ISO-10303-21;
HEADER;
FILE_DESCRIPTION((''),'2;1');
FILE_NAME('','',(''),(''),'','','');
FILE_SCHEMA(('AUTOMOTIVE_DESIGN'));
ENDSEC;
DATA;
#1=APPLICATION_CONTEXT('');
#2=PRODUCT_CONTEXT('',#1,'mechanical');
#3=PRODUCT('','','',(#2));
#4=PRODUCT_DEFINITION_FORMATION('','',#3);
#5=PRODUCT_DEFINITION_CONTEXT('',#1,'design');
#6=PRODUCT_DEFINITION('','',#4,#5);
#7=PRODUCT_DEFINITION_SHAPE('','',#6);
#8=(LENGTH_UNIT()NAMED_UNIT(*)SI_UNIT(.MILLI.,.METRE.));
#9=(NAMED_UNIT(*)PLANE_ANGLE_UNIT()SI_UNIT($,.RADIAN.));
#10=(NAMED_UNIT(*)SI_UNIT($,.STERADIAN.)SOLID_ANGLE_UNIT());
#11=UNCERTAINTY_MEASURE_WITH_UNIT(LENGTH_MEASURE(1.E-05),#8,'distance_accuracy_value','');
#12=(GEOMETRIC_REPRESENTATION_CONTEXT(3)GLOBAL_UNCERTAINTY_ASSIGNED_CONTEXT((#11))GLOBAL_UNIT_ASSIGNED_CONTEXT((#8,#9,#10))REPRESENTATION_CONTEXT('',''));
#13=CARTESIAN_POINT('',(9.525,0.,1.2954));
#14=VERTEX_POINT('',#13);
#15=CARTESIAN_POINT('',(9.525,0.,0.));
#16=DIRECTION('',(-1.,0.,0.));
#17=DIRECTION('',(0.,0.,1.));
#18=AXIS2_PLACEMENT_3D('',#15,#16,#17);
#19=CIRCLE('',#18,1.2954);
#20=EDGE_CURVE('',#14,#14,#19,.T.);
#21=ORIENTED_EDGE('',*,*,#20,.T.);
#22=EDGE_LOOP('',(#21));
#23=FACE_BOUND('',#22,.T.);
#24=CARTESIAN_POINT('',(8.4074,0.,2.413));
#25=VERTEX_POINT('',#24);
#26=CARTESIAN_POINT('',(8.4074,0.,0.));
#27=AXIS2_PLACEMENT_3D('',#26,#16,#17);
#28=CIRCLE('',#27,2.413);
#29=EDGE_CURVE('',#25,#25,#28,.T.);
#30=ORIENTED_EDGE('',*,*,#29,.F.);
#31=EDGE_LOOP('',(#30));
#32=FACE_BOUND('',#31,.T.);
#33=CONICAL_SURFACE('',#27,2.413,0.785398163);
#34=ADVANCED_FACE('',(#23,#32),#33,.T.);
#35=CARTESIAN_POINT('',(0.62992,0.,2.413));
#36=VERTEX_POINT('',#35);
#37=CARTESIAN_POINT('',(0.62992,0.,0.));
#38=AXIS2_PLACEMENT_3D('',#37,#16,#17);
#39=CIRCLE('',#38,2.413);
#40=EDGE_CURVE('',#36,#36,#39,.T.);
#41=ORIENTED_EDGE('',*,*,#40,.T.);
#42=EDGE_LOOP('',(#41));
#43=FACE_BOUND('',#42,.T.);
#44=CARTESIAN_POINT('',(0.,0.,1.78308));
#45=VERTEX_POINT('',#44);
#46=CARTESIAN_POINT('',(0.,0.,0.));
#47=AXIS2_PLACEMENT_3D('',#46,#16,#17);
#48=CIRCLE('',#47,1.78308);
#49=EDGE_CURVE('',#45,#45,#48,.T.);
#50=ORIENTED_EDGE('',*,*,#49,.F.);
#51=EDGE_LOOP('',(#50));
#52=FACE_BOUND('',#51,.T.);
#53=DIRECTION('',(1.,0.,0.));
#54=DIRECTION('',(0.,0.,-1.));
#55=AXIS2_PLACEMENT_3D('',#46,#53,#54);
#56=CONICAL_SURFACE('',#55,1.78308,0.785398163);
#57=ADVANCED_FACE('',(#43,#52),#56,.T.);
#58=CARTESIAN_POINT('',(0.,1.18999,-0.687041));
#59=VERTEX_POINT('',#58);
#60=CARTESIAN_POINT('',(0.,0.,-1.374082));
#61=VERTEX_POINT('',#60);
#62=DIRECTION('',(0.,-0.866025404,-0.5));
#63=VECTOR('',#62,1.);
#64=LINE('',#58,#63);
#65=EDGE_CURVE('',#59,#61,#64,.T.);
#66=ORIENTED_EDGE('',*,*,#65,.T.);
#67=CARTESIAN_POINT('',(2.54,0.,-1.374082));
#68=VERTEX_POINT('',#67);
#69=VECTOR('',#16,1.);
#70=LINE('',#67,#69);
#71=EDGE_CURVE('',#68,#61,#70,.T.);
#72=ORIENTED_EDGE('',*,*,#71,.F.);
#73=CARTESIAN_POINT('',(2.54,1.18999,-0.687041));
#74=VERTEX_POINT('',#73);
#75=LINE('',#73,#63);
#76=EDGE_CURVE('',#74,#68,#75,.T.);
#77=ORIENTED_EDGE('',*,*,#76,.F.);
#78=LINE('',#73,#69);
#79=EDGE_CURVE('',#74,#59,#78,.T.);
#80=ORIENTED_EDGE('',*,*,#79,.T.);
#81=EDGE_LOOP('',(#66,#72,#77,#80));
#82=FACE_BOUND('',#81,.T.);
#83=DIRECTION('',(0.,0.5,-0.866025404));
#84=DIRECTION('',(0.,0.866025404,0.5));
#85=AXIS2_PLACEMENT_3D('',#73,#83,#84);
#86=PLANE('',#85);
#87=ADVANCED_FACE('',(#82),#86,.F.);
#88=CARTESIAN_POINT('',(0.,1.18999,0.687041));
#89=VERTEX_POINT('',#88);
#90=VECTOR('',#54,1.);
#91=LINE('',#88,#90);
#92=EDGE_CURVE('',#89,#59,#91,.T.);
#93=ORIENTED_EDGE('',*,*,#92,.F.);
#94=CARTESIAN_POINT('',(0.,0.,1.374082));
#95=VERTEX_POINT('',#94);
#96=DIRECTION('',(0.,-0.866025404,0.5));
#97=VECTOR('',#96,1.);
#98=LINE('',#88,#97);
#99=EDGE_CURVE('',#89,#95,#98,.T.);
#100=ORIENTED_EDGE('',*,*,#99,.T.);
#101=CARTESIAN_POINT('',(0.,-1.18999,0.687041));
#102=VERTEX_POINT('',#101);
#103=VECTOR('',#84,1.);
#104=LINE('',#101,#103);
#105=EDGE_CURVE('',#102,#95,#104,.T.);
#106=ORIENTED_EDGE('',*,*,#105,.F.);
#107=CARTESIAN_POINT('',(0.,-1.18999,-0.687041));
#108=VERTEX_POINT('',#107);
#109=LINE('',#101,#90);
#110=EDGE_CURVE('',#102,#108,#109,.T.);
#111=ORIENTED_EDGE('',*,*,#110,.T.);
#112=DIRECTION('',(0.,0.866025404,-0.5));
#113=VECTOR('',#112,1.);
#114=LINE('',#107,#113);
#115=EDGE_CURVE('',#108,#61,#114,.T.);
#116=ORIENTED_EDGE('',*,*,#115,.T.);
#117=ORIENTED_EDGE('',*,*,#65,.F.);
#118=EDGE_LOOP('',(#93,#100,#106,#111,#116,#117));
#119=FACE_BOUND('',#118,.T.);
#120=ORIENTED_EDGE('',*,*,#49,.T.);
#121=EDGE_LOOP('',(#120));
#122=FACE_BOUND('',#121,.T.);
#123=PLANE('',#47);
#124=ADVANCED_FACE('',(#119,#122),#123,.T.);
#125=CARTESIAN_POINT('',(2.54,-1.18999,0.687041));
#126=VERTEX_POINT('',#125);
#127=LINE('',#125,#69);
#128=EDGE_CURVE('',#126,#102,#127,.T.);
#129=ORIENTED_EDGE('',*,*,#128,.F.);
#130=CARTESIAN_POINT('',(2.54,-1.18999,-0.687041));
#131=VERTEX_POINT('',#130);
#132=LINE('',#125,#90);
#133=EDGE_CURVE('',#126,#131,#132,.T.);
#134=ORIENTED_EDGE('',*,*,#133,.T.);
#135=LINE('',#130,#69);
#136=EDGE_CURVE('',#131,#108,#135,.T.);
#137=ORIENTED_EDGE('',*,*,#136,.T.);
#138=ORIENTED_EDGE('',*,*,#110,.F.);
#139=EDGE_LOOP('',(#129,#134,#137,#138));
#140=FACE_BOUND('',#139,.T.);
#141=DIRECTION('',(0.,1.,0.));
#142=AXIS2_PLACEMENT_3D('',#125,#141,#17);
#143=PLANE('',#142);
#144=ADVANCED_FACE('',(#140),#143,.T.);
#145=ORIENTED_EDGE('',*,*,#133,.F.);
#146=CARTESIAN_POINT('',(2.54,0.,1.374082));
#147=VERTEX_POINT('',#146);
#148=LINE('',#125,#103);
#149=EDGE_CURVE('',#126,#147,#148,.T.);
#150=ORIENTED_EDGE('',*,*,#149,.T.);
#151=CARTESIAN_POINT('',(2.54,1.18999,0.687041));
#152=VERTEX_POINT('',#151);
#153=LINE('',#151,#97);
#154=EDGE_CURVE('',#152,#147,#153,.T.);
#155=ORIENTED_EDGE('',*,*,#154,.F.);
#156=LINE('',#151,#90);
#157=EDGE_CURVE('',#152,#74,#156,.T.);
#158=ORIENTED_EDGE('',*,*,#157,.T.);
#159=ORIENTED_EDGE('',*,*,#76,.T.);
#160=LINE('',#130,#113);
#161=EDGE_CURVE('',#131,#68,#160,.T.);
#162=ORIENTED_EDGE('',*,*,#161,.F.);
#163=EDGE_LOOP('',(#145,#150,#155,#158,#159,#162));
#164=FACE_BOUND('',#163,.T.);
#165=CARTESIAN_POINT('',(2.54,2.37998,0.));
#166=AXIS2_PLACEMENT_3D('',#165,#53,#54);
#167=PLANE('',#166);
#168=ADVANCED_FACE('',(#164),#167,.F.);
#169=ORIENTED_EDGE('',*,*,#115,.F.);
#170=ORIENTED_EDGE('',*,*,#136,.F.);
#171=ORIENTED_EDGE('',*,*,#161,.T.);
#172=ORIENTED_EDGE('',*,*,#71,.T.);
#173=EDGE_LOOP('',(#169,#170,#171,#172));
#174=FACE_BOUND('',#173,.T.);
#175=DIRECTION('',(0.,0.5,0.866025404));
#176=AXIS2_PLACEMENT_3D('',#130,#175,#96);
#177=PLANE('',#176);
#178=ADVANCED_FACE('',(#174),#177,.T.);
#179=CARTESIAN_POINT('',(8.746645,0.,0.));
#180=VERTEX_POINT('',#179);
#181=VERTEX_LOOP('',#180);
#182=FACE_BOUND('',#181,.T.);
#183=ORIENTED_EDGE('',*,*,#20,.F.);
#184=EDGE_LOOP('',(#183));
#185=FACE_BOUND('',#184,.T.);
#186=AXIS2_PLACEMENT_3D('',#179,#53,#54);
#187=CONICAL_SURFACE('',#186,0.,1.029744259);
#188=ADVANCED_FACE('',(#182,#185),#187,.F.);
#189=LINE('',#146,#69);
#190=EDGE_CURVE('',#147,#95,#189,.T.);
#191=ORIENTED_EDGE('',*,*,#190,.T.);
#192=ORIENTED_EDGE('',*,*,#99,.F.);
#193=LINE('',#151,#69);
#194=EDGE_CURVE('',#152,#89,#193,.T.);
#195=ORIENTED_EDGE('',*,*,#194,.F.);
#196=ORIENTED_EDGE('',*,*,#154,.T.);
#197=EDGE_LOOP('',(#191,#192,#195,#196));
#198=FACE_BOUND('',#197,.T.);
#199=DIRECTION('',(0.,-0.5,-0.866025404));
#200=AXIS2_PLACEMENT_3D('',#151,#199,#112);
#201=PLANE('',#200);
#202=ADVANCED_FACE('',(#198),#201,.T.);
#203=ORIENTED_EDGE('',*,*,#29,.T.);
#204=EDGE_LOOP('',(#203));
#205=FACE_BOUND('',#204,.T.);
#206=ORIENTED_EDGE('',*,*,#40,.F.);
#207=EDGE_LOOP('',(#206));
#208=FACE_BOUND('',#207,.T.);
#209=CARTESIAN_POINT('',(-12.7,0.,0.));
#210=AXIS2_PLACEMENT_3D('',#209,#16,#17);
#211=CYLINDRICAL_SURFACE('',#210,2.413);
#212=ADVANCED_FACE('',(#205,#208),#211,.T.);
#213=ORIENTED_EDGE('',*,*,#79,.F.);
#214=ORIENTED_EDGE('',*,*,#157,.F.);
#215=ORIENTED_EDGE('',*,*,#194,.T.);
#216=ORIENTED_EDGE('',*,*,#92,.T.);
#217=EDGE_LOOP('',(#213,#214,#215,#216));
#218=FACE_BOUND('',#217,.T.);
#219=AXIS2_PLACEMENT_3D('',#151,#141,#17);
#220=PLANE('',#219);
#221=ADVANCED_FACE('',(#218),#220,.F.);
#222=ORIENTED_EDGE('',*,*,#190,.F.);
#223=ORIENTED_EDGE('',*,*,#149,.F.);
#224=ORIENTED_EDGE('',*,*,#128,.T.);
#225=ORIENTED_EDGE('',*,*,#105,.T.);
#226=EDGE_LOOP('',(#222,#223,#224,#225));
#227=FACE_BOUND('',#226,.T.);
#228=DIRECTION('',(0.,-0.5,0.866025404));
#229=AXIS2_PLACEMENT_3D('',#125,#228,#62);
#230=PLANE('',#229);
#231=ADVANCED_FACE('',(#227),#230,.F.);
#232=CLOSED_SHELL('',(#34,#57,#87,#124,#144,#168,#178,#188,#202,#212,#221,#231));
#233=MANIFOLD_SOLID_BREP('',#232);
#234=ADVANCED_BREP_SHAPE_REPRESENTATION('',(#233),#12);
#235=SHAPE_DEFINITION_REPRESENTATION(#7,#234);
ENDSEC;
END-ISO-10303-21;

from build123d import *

# Parameters (mm, degrees)
HEX_2_DEPTH = 2.54


with BuildPart() as part:
    # BodySke → BaseBody (revolve)
    with BuildSketch(Plane.XY, mode=Mode.PRIVATE) as basebody_sk:
        Polygon((0, 0), (0, 1.78308), (0.62992, 2.413), (8.4074, 2.413), (9.525, 1.2954), (8.746645154, 0), align=None)
    revolve(basebody_sk.sketch.rotate(Axis((-12.7, 0, 0), (1, 0, 0)), 90), axis=Axis((-12.7, 0, 0), (1, 0, 0)))

    # Sketch2 → Hex 2 (cut)
    with BuildSketch(Plane.ZY):
        Polygon((0.687041047, 1.18999), (-0.687041047, 1.18999), (-1.374082094, 0), (-0.687041047, -1.18999), (0.687041047, -1.18999), (1.374082094, 0), align=None)
    extrude(amount=-HEX_2_DEPTH, mode=Mode.SUBTRACT)


solid = part.part
